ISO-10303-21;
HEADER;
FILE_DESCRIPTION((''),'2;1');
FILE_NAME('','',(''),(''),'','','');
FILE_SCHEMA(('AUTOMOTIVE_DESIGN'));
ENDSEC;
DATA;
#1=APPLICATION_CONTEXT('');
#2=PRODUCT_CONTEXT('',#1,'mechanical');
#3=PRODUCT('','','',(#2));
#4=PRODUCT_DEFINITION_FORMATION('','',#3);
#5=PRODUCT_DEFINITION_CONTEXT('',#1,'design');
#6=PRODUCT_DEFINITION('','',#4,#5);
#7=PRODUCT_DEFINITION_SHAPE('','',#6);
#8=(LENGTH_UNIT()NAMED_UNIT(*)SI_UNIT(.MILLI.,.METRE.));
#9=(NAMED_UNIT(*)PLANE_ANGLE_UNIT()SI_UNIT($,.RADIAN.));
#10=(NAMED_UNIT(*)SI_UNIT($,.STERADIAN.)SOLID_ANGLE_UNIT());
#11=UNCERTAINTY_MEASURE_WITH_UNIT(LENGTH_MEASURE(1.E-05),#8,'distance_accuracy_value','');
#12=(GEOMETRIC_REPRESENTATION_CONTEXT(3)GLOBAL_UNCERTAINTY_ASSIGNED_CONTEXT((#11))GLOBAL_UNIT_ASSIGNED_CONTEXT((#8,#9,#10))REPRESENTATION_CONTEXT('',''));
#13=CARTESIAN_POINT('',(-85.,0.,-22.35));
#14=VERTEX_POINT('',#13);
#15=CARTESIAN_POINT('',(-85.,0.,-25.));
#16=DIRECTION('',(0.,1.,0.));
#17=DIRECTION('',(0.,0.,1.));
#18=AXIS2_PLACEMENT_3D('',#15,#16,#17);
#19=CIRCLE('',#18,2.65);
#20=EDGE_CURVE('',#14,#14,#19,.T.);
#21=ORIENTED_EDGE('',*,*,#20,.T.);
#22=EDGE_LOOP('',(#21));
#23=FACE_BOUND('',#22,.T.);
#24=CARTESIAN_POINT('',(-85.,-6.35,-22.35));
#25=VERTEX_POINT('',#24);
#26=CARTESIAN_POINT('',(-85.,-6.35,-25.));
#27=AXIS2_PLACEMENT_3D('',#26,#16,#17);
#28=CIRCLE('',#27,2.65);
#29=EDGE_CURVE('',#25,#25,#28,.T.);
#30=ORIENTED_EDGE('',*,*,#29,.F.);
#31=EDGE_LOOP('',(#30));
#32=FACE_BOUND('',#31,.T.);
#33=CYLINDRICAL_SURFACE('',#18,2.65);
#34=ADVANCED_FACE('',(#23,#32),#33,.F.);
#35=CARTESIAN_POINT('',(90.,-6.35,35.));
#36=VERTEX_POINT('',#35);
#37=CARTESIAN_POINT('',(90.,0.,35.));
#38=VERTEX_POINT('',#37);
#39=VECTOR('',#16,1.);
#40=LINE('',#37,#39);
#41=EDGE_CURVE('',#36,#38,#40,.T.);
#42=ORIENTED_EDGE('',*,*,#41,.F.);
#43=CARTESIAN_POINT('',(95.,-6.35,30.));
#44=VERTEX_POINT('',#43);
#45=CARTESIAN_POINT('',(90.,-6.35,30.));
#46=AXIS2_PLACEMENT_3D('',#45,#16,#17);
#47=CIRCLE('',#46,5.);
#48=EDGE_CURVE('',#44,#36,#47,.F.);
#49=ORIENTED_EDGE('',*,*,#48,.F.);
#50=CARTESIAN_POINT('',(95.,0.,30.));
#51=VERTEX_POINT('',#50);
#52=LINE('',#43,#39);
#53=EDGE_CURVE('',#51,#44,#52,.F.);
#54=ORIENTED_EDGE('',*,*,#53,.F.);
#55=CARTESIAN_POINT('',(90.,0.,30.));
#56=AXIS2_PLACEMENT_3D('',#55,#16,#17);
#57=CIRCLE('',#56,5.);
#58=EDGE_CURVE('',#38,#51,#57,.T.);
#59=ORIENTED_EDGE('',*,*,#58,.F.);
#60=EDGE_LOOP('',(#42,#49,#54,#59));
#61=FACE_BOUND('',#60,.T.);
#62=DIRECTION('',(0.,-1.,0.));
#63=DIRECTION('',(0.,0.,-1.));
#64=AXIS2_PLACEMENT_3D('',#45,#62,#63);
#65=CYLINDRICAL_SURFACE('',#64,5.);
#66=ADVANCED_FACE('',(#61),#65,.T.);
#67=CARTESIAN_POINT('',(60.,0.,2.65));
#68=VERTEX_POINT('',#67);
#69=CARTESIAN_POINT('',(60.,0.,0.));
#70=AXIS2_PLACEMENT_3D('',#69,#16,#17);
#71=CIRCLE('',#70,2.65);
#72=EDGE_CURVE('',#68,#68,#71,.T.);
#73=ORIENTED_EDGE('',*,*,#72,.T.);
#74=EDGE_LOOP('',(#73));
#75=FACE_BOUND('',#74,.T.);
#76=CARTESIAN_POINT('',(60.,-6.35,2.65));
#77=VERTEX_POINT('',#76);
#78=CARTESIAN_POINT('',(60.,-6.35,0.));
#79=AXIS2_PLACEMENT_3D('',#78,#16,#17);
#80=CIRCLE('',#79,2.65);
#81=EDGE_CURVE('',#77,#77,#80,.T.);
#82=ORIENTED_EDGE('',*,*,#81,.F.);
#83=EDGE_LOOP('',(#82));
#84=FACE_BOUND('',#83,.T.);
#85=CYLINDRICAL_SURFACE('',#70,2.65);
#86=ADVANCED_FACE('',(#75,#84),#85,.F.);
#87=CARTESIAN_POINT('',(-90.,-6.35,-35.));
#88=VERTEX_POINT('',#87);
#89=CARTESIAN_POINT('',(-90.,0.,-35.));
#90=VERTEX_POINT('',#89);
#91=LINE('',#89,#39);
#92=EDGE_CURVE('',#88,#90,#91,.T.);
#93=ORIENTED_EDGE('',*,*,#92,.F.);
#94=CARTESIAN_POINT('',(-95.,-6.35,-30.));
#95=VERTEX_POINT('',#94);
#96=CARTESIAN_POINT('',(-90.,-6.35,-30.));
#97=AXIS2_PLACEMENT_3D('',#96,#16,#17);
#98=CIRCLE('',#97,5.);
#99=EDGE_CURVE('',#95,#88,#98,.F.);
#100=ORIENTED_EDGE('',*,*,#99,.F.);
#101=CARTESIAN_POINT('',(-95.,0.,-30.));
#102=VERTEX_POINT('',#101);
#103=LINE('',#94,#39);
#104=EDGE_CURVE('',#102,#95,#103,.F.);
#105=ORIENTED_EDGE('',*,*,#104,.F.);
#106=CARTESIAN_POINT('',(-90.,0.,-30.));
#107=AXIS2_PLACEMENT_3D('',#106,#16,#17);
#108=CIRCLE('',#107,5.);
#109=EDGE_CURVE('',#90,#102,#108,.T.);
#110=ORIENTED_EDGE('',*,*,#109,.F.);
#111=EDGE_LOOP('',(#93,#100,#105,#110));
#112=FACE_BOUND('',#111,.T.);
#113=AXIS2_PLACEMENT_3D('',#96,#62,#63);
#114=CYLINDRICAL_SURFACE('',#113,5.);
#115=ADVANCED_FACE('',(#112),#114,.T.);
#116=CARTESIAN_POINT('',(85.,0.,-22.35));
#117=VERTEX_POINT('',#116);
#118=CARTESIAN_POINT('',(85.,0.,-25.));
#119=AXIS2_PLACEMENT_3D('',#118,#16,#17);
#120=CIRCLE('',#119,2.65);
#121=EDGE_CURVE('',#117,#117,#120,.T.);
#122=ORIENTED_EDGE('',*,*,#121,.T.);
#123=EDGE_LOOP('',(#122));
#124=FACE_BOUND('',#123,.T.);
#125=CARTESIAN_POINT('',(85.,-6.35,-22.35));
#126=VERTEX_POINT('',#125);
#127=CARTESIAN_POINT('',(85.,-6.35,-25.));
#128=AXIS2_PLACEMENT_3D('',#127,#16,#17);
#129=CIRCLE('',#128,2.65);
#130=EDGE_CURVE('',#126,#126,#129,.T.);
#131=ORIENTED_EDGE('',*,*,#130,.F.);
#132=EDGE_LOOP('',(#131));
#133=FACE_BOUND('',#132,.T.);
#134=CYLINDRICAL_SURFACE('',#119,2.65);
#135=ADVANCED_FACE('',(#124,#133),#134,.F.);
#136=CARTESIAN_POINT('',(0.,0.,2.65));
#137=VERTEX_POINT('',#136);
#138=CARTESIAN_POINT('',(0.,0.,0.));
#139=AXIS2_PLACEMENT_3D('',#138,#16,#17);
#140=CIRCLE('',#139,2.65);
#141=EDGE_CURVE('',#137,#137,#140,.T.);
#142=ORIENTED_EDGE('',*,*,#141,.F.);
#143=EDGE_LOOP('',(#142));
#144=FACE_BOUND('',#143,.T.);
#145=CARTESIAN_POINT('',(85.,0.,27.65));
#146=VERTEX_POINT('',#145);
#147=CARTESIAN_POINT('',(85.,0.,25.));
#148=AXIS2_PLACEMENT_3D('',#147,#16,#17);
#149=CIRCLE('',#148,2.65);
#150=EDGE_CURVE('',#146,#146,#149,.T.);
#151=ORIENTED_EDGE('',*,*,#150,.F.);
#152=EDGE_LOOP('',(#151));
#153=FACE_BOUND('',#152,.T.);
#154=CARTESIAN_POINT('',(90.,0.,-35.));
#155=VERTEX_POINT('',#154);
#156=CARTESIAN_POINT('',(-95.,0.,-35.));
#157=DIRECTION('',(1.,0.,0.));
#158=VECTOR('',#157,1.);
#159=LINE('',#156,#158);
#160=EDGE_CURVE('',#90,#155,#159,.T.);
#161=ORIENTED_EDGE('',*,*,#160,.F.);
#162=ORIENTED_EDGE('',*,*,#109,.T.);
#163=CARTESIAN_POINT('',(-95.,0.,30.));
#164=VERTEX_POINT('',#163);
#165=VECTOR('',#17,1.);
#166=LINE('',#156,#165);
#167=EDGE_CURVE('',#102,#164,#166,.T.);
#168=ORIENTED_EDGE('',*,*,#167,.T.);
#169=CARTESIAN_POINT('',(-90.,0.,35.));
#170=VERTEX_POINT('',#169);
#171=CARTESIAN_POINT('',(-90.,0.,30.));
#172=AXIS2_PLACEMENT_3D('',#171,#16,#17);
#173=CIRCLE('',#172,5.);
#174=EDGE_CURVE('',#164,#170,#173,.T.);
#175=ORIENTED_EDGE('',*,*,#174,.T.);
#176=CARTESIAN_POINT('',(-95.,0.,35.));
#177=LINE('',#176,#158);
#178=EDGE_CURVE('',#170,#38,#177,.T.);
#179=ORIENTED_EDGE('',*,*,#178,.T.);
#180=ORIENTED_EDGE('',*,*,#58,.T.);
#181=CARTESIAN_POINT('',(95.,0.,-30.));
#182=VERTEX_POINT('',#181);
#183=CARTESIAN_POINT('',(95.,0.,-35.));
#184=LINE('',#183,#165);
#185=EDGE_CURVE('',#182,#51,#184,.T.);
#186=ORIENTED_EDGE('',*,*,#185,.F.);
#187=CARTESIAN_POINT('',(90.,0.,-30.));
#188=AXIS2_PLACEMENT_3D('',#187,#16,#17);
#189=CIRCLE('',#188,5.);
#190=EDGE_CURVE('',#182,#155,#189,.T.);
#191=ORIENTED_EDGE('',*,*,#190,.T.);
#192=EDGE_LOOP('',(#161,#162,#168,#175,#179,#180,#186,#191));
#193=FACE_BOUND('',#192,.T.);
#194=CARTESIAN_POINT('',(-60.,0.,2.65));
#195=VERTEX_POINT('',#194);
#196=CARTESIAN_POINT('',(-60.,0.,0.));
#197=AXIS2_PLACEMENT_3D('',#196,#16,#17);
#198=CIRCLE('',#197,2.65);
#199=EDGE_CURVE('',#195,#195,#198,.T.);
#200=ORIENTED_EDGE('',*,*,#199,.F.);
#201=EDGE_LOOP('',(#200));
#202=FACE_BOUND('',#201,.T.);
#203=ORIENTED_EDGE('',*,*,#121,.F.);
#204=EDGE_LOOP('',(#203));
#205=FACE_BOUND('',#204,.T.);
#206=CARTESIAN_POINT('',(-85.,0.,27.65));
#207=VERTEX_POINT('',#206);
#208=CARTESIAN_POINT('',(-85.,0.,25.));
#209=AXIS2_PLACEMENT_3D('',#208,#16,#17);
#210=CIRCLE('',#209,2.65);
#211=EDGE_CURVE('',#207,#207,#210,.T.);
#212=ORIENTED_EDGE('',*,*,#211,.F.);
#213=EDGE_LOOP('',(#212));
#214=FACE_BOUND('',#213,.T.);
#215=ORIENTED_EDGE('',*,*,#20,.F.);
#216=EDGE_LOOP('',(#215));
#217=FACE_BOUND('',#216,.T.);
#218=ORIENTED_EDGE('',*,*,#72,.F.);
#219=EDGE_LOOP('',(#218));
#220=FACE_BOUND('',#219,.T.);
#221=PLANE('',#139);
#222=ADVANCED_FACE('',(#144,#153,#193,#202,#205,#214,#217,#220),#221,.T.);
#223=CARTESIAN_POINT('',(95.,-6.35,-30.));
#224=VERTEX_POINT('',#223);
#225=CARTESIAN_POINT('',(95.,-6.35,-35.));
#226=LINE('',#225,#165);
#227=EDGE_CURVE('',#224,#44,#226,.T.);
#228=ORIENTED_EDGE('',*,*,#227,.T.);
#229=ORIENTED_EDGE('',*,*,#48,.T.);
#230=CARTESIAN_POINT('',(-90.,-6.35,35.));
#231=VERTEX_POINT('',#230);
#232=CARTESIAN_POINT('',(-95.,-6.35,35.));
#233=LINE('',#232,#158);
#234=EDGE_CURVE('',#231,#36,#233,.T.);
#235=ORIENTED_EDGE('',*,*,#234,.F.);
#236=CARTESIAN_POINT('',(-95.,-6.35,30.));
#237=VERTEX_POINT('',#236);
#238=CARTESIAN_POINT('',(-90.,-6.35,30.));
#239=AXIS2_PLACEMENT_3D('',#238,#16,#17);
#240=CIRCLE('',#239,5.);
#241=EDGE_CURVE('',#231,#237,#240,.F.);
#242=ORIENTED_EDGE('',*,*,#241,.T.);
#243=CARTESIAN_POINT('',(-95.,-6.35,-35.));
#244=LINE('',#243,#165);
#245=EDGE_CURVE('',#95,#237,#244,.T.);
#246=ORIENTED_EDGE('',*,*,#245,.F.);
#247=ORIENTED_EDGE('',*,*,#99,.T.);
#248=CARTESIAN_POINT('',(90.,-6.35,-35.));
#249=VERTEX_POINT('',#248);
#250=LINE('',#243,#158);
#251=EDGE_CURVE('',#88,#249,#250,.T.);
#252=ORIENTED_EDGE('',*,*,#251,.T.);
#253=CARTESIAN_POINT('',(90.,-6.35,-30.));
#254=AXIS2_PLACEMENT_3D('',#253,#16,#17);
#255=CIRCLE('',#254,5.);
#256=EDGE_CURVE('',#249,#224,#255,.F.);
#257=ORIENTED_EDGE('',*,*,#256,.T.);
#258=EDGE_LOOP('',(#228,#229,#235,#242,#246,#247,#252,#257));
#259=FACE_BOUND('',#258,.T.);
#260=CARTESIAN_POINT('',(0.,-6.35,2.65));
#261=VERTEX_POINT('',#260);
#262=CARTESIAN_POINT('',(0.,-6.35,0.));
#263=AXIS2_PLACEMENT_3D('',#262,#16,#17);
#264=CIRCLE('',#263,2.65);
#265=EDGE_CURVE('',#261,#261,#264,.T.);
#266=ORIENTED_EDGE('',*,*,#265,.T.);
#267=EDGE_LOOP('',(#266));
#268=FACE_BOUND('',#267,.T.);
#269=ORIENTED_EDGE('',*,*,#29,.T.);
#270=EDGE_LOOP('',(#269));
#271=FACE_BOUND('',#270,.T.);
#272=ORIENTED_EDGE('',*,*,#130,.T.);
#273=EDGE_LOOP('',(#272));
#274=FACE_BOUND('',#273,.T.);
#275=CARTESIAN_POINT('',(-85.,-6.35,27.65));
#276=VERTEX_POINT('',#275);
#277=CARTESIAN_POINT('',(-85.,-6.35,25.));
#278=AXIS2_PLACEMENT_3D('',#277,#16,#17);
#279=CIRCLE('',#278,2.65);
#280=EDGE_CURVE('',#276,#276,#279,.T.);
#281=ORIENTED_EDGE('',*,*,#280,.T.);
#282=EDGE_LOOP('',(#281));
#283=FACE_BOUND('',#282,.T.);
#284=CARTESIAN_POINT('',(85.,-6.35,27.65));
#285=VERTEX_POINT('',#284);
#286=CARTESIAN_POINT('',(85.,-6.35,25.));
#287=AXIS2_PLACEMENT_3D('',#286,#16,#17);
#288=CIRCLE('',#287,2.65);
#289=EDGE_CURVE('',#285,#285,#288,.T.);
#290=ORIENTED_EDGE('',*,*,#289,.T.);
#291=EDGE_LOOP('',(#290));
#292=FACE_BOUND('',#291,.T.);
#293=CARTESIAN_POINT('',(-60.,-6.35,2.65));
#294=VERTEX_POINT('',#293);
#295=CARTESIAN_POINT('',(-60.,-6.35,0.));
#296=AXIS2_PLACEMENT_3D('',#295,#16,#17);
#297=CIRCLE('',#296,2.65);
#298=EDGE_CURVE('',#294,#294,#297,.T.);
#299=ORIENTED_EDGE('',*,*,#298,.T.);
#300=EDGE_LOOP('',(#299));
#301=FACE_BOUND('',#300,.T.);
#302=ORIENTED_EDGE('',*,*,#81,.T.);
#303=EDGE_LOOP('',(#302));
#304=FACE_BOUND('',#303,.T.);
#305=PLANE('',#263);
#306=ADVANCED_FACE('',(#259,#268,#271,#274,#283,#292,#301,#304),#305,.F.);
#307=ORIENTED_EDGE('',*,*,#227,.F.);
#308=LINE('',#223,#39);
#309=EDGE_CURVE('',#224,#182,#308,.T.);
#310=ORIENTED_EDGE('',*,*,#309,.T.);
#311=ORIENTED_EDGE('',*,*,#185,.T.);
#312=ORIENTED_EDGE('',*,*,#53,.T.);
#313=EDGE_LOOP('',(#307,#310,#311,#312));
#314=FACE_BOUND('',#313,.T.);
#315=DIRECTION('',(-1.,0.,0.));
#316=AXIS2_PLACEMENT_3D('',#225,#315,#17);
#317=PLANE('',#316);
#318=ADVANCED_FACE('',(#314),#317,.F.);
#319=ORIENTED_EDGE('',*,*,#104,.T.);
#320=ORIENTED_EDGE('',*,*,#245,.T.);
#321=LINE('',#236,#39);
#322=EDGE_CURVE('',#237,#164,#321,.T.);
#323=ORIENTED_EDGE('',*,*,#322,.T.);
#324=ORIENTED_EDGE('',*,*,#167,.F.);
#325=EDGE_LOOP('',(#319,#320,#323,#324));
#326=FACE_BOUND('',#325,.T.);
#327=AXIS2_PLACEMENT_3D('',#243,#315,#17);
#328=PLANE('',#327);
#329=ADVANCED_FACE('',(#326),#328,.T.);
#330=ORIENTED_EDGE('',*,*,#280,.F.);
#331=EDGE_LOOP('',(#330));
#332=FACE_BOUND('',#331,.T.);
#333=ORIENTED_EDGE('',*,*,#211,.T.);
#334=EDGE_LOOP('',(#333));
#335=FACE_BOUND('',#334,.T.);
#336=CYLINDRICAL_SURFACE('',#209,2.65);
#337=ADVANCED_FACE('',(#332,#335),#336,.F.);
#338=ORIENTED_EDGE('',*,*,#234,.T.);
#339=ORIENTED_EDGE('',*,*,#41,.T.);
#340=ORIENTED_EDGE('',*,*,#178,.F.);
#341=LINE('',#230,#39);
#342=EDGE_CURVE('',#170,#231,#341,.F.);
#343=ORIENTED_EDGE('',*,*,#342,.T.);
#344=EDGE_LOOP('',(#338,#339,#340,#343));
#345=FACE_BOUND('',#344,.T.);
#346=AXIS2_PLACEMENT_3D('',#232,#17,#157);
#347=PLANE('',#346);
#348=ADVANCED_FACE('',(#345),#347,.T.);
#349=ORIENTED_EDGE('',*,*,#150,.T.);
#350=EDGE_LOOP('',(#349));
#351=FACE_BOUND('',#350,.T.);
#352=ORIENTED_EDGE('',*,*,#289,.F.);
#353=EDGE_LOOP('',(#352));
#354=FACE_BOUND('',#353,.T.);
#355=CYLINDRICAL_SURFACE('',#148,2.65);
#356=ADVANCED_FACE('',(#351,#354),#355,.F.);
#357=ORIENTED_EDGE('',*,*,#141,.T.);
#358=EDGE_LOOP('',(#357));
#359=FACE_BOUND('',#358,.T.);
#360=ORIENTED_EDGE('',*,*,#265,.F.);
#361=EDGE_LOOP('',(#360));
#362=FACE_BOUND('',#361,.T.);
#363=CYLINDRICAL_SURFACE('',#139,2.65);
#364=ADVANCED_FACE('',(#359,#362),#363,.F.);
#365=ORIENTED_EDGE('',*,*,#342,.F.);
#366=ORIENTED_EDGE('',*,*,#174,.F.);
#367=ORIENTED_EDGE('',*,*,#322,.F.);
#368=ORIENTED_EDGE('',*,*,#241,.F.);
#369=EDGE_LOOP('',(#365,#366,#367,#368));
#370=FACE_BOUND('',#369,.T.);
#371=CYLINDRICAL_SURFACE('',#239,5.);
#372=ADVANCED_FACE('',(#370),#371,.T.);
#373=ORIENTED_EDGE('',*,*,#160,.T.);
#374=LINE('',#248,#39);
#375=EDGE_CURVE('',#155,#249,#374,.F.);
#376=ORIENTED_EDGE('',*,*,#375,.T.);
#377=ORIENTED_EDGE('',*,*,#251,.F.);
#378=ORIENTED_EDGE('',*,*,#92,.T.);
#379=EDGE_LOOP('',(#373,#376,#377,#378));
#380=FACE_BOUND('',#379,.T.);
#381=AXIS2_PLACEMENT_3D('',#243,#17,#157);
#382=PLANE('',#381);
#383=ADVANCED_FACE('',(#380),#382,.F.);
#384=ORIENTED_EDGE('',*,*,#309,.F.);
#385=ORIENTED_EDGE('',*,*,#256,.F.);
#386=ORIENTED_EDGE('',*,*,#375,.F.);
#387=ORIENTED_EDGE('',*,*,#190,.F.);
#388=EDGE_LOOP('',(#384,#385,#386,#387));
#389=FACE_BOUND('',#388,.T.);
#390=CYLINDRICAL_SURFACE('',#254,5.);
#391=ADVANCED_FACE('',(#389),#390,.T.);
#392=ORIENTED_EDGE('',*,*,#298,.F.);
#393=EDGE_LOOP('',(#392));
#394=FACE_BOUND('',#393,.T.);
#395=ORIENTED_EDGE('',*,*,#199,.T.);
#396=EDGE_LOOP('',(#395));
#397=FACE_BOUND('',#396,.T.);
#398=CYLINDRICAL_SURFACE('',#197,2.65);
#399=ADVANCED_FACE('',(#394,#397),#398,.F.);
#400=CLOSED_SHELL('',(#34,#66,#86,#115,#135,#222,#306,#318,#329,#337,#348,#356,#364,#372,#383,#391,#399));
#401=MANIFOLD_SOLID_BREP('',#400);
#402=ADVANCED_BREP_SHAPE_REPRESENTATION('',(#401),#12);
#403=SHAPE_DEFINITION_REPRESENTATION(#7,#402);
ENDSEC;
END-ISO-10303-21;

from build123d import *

# Parameters (mm, degrees)
SKETCH1_W            = 190
SKETCH1_H            = 70
BOSS_EXTRUDE1_DEPTH  = 6.35
M5_CLEARANCE_HOLE1_D = 5.3
FILLET1_R            = 5


with BuildPart() as part:
    # Sketch1 → Boss-Extrude1 (new body)
    with BuildSketch(Plane(origin=(0, 0, 0), x_dir=(1, 0, 0), z_dir=(0, 1, 0))):
        Rectangle(SKETCH1_W, SKETCH1_H)
    extrude(amount=-BOSS_EXTRUDE1_DEPTH)

    # M5 Clearance Hole1 (through all)
    with Locations(Plane(origin=(-85, 0, -25), x_dir=(0, 0, 1), z_dir=(0, 1, 0))):
        with Locations((0, 0), (50, 0), (25, 145), (0, 170), (25, 85), (25, 25), (50, 170)):
            Hole(M5_CLEARANCE_HOLE1_D / 2)

    # Fillet1
    fillet1_edges = [part.edges().sort_by_distance(p)[0] for p in [
        (-95, -3.175, -35),
        (95, -3.175, -35),
        (95, -3.175, 35),
        (-95, -3.175, 35),
    ]]
    fillet(fillet1_edges, radius=FILLET1_R)


solid = part.part
